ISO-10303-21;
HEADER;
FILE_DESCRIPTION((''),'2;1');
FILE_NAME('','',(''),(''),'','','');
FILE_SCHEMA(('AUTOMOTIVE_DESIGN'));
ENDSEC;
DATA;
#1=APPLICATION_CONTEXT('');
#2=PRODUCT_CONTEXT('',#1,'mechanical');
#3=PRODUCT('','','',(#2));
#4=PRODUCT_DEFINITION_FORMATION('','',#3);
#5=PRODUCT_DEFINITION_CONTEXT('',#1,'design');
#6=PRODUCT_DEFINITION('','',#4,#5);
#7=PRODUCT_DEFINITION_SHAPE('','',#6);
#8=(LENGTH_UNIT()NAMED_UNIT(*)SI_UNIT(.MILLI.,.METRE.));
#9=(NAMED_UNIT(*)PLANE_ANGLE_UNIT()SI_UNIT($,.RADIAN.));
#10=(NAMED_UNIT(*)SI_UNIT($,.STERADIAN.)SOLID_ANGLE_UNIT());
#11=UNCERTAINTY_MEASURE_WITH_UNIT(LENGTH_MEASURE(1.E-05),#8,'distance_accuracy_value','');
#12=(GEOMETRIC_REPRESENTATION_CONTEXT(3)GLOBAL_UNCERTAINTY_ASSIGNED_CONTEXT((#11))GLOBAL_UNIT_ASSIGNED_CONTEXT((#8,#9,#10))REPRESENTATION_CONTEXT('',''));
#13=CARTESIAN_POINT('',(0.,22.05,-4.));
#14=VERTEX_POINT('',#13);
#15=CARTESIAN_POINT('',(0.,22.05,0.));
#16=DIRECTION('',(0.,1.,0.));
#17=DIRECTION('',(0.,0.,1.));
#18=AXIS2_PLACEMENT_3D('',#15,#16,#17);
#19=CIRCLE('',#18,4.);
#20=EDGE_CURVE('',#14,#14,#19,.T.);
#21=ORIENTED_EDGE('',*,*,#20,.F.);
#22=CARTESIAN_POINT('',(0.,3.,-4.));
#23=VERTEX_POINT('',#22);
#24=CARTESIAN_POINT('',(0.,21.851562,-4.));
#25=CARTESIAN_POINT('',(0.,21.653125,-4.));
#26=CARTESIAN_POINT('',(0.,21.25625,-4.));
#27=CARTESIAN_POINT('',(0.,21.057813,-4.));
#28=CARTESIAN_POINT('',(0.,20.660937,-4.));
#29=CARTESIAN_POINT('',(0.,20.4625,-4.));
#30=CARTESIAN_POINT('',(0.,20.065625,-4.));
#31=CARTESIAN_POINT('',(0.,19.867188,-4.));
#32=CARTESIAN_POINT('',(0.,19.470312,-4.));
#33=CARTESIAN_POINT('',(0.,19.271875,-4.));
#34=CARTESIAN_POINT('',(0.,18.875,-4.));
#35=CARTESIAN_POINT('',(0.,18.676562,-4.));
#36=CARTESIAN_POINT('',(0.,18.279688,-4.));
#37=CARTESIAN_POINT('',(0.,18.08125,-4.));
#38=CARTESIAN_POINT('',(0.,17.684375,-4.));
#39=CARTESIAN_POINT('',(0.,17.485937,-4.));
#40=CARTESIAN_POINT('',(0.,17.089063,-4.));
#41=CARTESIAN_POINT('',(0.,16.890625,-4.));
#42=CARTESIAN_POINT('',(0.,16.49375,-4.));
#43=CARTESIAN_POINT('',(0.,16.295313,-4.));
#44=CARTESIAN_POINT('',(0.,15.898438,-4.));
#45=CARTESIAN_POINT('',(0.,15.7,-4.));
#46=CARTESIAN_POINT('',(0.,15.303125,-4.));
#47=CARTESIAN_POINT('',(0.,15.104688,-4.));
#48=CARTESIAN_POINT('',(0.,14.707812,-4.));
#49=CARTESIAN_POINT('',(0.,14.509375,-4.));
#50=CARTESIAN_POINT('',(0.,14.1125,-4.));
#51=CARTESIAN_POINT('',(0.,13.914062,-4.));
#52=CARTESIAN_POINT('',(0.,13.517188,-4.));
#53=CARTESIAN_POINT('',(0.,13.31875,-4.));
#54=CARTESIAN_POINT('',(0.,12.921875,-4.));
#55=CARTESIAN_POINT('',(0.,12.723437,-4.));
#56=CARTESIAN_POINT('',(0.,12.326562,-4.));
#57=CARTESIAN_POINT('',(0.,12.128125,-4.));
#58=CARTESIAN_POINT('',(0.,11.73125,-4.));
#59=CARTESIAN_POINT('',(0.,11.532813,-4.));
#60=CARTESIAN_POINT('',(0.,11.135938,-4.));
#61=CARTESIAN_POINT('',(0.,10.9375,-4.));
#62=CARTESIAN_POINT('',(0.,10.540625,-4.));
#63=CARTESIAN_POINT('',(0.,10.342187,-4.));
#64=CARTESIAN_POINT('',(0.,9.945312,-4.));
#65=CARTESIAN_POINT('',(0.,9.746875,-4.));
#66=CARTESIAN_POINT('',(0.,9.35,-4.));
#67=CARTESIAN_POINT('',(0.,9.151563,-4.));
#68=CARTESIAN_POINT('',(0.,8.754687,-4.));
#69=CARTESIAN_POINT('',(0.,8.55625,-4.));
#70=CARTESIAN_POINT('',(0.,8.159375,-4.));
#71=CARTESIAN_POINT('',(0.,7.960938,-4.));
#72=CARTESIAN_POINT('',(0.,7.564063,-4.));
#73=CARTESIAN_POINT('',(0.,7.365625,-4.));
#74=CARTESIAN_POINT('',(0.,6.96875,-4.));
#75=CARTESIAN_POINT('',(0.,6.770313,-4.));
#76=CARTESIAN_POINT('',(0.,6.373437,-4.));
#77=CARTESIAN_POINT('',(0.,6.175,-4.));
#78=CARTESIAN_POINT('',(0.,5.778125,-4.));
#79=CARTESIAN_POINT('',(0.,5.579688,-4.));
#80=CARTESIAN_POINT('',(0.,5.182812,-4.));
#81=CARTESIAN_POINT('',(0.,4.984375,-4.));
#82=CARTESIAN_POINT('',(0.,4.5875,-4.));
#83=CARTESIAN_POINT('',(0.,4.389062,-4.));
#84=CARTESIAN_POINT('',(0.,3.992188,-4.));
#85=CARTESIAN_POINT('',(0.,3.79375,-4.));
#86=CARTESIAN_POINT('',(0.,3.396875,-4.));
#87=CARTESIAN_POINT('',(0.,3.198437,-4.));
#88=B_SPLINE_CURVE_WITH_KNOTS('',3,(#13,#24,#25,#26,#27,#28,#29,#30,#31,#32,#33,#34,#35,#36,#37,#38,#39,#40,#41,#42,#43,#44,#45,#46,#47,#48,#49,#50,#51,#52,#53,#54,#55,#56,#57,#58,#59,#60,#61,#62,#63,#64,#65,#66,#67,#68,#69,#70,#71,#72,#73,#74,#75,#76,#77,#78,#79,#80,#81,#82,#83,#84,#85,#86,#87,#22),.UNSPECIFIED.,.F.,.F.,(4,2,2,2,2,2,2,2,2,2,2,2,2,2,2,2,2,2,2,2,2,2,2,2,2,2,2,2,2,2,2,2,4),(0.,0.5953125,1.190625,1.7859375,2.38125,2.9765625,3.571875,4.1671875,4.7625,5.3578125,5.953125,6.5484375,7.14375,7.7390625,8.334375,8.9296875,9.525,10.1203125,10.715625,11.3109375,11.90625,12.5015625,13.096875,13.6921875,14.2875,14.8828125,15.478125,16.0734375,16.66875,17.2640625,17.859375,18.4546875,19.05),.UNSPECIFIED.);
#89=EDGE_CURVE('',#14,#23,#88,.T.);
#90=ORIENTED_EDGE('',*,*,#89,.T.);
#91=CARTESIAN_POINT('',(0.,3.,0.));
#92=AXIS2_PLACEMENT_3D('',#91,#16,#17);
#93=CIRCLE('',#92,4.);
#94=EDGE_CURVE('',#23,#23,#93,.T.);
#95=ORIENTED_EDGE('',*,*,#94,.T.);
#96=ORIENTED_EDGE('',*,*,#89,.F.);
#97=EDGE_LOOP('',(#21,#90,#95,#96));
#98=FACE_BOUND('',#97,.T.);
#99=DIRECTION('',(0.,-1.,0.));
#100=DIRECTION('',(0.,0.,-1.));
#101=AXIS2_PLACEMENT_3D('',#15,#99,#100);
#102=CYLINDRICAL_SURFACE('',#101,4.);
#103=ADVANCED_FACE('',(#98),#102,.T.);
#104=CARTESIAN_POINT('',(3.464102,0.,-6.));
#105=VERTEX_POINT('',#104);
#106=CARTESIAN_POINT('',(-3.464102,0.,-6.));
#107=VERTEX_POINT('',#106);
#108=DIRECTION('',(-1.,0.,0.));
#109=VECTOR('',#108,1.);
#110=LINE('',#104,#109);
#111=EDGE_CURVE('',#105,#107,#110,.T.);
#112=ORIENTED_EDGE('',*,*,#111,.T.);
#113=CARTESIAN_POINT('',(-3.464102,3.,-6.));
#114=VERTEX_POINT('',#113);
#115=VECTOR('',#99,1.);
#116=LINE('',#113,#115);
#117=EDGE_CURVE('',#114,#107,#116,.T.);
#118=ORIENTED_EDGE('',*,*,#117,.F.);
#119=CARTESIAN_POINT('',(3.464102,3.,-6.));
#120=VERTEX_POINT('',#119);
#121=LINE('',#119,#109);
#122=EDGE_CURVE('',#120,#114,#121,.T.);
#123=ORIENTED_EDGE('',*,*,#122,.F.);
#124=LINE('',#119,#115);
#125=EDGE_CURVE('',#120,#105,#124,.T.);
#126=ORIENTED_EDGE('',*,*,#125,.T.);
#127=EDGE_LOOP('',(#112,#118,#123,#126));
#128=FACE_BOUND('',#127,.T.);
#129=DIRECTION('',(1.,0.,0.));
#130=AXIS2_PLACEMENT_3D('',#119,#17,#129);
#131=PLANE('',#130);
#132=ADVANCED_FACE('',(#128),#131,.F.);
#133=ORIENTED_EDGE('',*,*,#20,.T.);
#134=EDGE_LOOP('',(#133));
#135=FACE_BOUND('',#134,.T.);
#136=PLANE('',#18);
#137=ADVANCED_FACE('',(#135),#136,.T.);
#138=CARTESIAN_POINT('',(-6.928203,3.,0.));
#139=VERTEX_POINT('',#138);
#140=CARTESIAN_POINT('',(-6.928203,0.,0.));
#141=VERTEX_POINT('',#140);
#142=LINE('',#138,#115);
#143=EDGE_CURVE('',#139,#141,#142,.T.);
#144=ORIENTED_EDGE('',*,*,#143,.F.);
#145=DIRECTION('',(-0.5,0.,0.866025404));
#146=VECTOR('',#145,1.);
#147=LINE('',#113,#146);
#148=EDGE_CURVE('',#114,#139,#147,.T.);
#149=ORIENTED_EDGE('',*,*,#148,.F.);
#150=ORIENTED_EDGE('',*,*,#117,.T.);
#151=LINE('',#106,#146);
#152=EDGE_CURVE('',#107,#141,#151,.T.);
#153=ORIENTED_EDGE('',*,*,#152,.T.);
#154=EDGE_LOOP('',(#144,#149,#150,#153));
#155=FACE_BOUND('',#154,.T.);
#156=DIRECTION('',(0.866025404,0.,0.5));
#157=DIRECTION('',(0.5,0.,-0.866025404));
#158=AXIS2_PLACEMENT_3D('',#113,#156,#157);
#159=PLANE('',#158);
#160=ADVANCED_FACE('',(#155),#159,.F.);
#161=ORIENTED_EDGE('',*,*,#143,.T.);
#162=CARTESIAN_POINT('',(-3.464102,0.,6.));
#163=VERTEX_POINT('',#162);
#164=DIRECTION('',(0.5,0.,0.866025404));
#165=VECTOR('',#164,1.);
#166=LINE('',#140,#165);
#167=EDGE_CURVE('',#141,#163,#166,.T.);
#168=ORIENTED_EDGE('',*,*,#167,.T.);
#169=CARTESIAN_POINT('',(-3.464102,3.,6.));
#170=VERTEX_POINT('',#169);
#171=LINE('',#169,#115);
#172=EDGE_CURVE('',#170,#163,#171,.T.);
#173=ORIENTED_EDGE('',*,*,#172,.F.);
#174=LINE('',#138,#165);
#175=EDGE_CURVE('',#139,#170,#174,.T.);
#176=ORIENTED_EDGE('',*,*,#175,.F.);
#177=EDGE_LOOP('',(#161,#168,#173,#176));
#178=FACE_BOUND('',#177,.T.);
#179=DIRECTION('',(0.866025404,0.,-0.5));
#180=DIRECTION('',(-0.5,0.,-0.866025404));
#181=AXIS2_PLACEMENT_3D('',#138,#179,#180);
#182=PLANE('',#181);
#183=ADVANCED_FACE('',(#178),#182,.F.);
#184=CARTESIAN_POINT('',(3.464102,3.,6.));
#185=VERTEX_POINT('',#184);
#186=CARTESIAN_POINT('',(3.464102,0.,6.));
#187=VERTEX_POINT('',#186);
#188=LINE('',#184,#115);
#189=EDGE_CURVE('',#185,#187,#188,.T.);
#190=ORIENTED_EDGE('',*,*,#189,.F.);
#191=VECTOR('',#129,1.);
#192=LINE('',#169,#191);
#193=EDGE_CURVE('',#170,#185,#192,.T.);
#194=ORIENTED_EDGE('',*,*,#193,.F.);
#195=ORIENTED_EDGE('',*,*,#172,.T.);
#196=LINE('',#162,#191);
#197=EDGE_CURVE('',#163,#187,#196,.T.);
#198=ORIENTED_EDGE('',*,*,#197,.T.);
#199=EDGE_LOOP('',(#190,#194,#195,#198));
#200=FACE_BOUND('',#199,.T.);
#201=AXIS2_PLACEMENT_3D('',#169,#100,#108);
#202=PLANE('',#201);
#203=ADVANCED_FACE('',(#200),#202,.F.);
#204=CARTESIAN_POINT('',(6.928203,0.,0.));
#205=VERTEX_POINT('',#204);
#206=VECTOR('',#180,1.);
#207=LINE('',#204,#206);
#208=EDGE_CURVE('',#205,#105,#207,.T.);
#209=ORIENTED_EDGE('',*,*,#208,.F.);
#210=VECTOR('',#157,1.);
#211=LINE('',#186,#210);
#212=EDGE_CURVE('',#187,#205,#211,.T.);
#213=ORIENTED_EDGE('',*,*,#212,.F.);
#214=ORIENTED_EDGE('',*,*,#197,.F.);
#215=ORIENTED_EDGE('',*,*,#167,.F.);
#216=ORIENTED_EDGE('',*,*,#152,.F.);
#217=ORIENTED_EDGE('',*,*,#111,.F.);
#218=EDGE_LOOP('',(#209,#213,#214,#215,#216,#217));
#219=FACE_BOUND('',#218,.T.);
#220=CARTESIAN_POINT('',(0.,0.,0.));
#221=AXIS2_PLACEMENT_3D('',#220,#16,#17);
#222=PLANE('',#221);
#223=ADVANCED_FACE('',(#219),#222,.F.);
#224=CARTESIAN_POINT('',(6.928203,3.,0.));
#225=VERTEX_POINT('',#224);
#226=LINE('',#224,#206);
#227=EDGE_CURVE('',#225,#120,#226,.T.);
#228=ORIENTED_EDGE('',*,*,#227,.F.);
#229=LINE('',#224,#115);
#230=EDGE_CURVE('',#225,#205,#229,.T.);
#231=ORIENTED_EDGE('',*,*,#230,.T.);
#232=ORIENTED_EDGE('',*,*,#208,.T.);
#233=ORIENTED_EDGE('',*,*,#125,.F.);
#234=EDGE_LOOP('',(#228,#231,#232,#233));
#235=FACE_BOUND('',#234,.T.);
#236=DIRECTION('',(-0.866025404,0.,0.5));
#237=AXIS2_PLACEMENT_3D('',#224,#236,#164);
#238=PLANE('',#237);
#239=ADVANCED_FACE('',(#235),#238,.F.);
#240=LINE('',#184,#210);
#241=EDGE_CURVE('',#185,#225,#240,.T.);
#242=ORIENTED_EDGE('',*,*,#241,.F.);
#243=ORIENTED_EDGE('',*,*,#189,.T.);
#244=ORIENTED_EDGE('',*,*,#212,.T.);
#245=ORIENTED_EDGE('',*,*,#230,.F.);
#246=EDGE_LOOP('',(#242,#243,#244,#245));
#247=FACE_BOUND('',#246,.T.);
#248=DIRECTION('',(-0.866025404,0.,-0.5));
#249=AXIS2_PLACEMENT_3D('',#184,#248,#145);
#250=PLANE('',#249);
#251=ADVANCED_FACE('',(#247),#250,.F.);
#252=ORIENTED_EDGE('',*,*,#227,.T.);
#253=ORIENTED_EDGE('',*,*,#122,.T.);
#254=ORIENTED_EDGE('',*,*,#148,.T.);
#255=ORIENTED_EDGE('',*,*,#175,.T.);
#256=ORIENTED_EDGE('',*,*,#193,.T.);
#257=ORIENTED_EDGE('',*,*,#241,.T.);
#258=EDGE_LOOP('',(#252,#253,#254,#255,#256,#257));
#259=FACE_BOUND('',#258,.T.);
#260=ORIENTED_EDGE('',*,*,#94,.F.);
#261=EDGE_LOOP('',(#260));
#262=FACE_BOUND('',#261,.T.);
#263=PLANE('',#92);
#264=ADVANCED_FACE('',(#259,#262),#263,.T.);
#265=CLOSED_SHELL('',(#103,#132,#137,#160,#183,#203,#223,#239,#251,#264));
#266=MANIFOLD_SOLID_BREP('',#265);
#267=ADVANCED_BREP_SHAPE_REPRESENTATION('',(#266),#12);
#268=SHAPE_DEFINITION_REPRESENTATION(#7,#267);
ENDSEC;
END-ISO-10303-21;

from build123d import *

# Parameters (mm, degrees)
SALIENTE_EXTRUIR1_DEPTH = 3
CROQUIS2_R              = 4
SALIENTE_EXTRUIR2_DEPTH = 19.05


with BuildPart() as part:
    # Croquis1 → Saliente-Extruir1 (new body)
    with BuildSketch(Plane(origin=(0, 0, 0), x_dir=(1, 0, 0), z_dir=(0, 1, 0))):
        Polygon((6.92820323, 0), (3.464101615, 6), (-3.464101615, 6), (-6.92820323, 0), (-3.464101615, -6), (3.464101615, -6), align=None)
    extrude(amount=SALIENTE_EXTRUIR1_DEPTH)

    # Croquis2 → Saliente-Extruir2 (add)
    with BuildSketch(Plane(origin=(0, 3, 0), x_dir=(1, 0, 0), z_dir=(0, 1, 0))):
        with Locations(Location((0, 0, 0), (0, 0, 90))):
            Circle(CROQUIS2_R)
    extrude(amount=SALIENTE_EXTRUIR2_DEPTH)


solid = part.part
